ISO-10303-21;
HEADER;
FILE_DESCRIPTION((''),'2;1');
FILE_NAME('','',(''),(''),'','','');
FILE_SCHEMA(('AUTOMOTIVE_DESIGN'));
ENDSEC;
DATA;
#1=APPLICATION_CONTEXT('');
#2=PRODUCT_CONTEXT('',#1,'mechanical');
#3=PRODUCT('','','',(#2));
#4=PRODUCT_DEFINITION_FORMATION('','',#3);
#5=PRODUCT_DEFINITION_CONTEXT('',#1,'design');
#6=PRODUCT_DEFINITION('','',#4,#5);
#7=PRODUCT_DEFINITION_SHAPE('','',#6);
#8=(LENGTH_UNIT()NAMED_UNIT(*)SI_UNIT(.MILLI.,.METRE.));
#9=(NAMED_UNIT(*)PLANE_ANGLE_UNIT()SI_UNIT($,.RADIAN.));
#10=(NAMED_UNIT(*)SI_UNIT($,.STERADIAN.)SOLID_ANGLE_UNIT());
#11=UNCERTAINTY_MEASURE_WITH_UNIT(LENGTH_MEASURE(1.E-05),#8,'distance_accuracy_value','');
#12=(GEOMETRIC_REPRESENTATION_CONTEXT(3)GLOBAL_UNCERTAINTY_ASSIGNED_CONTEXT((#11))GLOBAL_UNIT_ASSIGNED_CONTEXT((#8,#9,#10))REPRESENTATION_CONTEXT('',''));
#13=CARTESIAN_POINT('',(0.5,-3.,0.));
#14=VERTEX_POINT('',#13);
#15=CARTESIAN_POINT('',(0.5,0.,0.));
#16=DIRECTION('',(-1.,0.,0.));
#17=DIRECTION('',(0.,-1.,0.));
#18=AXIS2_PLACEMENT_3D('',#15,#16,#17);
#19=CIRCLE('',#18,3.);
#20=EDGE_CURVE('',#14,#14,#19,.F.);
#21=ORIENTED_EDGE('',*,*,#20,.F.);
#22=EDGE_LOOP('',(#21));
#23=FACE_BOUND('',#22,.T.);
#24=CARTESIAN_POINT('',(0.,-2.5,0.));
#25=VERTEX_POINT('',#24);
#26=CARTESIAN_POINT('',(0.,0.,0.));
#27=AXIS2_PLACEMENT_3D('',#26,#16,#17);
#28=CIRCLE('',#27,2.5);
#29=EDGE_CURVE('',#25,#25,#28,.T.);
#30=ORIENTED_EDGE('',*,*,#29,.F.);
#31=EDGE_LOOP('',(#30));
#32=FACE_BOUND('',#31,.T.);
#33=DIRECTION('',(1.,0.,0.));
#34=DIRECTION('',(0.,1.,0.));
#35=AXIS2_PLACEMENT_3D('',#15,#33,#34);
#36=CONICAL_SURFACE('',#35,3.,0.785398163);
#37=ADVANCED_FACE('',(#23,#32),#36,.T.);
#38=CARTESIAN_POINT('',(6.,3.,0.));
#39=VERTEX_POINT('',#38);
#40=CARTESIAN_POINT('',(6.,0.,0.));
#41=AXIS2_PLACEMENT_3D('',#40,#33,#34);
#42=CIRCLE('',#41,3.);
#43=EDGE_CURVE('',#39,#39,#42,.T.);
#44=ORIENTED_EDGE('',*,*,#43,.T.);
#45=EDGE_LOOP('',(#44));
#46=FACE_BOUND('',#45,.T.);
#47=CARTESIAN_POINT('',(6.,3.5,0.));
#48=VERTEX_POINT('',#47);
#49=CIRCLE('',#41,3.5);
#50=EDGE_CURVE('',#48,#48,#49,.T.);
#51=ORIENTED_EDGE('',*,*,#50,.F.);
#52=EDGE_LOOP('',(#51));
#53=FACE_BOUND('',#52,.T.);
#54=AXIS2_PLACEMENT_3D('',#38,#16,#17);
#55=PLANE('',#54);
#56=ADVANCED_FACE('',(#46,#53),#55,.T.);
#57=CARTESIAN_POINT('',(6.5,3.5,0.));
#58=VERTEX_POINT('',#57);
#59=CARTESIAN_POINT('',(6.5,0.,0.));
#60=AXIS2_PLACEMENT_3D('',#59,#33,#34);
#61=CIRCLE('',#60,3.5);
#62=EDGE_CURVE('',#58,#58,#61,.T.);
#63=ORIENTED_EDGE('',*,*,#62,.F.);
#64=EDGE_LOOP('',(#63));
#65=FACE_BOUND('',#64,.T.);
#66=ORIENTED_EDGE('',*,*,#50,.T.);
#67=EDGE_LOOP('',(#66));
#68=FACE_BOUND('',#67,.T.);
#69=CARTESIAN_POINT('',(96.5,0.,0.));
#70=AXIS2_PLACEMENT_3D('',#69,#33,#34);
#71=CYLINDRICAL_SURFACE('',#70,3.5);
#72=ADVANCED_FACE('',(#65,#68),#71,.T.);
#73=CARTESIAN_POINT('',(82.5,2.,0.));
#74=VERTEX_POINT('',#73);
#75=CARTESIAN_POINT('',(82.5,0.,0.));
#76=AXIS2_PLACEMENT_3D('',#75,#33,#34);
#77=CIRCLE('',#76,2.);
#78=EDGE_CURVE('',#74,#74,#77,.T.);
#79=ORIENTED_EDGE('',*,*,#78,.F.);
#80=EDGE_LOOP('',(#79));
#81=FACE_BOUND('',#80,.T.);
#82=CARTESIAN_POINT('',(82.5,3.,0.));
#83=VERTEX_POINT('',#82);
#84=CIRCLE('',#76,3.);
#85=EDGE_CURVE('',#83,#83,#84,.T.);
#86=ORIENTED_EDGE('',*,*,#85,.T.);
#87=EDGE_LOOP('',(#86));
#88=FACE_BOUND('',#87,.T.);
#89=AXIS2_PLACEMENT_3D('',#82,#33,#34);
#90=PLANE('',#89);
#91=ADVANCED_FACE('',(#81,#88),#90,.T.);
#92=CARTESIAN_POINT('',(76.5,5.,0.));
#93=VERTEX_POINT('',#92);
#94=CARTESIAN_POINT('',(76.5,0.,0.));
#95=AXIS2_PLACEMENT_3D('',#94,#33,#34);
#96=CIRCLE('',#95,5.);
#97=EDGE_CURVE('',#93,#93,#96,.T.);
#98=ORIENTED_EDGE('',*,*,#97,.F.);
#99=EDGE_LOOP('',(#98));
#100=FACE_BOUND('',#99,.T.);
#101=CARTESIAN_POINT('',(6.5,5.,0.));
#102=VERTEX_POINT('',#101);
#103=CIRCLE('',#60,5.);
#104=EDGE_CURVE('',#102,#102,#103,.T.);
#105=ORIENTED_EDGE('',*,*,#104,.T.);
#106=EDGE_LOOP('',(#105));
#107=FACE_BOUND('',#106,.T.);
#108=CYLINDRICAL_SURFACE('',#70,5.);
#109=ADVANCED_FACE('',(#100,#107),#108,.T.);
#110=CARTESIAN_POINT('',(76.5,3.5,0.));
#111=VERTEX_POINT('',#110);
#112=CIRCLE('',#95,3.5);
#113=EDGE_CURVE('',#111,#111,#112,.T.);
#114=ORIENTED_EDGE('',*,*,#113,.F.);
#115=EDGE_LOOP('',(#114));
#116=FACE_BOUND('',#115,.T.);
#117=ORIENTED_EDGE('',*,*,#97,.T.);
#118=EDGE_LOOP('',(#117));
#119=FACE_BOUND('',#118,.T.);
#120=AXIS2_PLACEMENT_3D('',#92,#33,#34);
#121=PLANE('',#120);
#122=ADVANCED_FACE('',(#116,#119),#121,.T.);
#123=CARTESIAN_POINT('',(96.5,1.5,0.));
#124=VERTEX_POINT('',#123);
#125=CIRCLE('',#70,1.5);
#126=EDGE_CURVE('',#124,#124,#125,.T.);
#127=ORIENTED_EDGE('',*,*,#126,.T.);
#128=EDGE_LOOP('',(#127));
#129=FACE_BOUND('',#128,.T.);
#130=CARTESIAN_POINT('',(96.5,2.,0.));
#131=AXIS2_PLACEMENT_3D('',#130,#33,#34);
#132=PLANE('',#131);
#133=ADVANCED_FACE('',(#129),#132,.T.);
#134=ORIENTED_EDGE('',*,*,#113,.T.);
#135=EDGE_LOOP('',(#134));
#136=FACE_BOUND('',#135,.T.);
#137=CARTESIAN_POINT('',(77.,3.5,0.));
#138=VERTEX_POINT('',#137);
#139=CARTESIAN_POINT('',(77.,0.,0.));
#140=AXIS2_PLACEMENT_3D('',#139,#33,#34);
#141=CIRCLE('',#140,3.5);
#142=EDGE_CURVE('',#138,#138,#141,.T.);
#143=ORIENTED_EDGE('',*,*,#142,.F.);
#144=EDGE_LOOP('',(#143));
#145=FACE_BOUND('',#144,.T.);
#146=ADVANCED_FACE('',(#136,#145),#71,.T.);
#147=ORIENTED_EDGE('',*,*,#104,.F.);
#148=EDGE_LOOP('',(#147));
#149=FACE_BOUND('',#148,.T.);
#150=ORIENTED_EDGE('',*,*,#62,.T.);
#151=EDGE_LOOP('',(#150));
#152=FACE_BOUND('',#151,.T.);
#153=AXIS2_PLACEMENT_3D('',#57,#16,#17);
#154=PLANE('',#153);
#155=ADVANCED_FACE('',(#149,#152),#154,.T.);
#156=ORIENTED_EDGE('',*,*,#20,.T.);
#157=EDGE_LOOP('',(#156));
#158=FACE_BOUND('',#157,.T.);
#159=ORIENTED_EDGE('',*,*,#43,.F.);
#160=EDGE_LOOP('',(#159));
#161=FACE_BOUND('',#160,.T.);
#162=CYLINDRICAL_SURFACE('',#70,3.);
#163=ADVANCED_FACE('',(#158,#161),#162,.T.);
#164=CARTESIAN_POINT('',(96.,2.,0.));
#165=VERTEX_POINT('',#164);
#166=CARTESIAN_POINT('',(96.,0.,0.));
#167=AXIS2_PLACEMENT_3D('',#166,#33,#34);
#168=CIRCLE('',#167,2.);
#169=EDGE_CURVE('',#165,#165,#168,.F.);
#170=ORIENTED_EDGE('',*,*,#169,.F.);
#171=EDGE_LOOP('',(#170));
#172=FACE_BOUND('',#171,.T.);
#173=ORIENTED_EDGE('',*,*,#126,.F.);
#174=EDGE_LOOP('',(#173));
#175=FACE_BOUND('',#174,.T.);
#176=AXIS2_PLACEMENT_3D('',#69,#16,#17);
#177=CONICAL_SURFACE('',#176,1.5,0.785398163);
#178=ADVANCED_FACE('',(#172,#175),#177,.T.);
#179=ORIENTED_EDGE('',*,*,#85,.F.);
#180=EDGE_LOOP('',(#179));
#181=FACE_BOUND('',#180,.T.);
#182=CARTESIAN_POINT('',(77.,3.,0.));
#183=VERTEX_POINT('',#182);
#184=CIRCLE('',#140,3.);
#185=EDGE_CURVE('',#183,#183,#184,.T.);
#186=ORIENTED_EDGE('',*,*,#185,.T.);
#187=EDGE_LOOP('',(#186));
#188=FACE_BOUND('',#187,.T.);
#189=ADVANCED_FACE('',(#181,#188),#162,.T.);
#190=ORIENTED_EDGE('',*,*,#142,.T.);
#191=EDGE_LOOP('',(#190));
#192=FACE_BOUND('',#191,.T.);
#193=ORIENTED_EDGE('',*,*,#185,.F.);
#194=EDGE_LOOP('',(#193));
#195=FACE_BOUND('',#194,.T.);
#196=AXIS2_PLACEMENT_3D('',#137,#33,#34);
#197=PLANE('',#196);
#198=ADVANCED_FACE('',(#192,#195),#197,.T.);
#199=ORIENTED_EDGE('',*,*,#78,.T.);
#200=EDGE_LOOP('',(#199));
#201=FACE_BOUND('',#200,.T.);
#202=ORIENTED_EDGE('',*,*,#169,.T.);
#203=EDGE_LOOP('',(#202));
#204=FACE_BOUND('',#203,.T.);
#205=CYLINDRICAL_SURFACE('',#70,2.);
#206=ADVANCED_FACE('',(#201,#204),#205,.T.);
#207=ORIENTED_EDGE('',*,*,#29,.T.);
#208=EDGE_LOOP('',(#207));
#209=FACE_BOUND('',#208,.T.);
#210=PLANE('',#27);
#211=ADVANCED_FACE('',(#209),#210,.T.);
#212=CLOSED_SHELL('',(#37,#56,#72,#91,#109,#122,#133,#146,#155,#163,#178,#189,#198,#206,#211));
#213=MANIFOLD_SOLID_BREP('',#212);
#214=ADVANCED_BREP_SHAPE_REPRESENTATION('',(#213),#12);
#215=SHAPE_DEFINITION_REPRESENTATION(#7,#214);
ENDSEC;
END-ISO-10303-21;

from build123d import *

# Parameters (mm, degrees)
CHAMFER1_SIZE = 0.5


with BuildPart() as part:
    # Sketch1 → Revolve1 (revolve)
    with BuildSketch(Plane.XY):
        Polygon((0, 0), (0, 3), (6, 3), (6, 3.5), (6.5, 3.5), (6.5, 5), (76.5, 5), (76.5, 3.5), (77, 3.5), (77, 3), (82.5, 3), (82.5, 2), (96.5, 2), (96.5, 0), align=None)
    revolve(axis=Axis((96.5, 0, 0), (-1, 0, 0)))

    # Chamfer1
    chamfer1_edges = [part.edges().sort_by_distance(p)[0] for p in [
        (0, -3, 0),
        (96.5, -2, 0),
    ]]
    chamfer(chamfer1_edges, length=CHAMFER1_SIZE)


solid = part.part
